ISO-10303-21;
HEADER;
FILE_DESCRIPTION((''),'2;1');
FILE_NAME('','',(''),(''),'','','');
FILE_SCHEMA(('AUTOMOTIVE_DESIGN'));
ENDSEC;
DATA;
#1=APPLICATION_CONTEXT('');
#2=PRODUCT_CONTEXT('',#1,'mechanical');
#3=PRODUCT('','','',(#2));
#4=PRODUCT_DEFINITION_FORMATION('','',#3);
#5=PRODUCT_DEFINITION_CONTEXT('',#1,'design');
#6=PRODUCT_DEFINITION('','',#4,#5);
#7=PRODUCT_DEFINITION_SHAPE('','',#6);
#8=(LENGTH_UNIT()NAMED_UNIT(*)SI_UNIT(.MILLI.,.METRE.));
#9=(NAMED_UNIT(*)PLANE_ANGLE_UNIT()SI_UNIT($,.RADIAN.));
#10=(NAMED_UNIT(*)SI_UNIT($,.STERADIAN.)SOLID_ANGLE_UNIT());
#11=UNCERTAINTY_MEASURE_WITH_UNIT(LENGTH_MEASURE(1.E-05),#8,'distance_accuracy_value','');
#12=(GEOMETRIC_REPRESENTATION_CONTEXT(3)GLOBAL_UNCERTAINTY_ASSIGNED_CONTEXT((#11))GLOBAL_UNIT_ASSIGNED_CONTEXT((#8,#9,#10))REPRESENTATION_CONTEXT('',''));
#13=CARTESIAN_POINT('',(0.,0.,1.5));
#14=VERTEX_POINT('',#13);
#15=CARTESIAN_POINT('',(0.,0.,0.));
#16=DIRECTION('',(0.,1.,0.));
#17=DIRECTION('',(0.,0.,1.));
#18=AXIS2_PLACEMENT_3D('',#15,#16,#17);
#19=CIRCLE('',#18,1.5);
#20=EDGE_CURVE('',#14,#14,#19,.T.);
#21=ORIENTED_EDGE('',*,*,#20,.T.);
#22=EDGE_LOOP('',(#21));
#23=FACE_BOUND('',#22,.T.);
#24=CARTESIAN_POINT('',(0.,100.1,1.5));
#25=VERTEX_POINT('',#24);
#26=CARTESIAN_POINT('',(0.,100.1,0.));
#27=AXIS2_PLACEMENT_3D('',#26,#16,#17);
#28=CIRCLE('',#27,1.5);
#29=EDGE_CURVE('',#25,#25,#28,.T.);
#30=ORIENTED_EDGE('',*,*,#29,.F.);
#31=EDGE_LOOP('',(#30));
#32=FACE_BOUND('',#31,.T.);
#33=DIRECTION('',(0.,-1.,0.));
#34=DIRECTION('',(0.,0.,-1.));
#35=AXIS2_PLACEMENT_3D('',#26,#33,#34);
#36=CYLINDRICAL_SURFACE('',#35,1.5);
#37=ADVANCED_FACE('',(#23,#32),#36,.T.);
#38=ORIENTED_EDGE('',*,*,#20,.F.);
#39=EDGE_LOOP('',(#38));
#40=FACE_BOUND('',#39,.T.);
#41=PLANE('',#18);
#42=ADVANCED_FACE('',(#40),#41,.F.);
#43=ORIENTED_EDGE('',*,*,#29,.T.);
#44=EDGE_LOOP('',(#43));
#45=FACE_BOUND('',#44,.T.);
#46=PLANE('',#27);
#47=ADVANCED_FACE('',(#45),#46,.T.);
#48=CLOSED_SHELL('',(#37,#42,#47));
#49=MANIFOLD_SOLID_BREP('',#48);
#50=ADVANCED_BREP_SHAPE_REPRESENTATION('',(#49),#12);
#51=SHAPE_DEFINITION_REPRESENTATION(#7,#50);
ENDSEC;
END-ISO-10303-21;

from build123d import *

# Parameters (mm, degrees)
SKETCH1_R           = 1.5
BOSS_EXTRUDE1_DEPTH = 100.1


with BuildPart() as part:
    # Sketch1 → Boss-Extrude1 (new body)
    with BuildSketch(Plane(origin=(0, 0, 0), x_dir=(1, 0, 0), z_dir=(0, 1, 0))):
        Circle(SKETCH1_R)
    extrude(amount=BOSS_EXTRUDE1_DEPTH)


solid = part.part
